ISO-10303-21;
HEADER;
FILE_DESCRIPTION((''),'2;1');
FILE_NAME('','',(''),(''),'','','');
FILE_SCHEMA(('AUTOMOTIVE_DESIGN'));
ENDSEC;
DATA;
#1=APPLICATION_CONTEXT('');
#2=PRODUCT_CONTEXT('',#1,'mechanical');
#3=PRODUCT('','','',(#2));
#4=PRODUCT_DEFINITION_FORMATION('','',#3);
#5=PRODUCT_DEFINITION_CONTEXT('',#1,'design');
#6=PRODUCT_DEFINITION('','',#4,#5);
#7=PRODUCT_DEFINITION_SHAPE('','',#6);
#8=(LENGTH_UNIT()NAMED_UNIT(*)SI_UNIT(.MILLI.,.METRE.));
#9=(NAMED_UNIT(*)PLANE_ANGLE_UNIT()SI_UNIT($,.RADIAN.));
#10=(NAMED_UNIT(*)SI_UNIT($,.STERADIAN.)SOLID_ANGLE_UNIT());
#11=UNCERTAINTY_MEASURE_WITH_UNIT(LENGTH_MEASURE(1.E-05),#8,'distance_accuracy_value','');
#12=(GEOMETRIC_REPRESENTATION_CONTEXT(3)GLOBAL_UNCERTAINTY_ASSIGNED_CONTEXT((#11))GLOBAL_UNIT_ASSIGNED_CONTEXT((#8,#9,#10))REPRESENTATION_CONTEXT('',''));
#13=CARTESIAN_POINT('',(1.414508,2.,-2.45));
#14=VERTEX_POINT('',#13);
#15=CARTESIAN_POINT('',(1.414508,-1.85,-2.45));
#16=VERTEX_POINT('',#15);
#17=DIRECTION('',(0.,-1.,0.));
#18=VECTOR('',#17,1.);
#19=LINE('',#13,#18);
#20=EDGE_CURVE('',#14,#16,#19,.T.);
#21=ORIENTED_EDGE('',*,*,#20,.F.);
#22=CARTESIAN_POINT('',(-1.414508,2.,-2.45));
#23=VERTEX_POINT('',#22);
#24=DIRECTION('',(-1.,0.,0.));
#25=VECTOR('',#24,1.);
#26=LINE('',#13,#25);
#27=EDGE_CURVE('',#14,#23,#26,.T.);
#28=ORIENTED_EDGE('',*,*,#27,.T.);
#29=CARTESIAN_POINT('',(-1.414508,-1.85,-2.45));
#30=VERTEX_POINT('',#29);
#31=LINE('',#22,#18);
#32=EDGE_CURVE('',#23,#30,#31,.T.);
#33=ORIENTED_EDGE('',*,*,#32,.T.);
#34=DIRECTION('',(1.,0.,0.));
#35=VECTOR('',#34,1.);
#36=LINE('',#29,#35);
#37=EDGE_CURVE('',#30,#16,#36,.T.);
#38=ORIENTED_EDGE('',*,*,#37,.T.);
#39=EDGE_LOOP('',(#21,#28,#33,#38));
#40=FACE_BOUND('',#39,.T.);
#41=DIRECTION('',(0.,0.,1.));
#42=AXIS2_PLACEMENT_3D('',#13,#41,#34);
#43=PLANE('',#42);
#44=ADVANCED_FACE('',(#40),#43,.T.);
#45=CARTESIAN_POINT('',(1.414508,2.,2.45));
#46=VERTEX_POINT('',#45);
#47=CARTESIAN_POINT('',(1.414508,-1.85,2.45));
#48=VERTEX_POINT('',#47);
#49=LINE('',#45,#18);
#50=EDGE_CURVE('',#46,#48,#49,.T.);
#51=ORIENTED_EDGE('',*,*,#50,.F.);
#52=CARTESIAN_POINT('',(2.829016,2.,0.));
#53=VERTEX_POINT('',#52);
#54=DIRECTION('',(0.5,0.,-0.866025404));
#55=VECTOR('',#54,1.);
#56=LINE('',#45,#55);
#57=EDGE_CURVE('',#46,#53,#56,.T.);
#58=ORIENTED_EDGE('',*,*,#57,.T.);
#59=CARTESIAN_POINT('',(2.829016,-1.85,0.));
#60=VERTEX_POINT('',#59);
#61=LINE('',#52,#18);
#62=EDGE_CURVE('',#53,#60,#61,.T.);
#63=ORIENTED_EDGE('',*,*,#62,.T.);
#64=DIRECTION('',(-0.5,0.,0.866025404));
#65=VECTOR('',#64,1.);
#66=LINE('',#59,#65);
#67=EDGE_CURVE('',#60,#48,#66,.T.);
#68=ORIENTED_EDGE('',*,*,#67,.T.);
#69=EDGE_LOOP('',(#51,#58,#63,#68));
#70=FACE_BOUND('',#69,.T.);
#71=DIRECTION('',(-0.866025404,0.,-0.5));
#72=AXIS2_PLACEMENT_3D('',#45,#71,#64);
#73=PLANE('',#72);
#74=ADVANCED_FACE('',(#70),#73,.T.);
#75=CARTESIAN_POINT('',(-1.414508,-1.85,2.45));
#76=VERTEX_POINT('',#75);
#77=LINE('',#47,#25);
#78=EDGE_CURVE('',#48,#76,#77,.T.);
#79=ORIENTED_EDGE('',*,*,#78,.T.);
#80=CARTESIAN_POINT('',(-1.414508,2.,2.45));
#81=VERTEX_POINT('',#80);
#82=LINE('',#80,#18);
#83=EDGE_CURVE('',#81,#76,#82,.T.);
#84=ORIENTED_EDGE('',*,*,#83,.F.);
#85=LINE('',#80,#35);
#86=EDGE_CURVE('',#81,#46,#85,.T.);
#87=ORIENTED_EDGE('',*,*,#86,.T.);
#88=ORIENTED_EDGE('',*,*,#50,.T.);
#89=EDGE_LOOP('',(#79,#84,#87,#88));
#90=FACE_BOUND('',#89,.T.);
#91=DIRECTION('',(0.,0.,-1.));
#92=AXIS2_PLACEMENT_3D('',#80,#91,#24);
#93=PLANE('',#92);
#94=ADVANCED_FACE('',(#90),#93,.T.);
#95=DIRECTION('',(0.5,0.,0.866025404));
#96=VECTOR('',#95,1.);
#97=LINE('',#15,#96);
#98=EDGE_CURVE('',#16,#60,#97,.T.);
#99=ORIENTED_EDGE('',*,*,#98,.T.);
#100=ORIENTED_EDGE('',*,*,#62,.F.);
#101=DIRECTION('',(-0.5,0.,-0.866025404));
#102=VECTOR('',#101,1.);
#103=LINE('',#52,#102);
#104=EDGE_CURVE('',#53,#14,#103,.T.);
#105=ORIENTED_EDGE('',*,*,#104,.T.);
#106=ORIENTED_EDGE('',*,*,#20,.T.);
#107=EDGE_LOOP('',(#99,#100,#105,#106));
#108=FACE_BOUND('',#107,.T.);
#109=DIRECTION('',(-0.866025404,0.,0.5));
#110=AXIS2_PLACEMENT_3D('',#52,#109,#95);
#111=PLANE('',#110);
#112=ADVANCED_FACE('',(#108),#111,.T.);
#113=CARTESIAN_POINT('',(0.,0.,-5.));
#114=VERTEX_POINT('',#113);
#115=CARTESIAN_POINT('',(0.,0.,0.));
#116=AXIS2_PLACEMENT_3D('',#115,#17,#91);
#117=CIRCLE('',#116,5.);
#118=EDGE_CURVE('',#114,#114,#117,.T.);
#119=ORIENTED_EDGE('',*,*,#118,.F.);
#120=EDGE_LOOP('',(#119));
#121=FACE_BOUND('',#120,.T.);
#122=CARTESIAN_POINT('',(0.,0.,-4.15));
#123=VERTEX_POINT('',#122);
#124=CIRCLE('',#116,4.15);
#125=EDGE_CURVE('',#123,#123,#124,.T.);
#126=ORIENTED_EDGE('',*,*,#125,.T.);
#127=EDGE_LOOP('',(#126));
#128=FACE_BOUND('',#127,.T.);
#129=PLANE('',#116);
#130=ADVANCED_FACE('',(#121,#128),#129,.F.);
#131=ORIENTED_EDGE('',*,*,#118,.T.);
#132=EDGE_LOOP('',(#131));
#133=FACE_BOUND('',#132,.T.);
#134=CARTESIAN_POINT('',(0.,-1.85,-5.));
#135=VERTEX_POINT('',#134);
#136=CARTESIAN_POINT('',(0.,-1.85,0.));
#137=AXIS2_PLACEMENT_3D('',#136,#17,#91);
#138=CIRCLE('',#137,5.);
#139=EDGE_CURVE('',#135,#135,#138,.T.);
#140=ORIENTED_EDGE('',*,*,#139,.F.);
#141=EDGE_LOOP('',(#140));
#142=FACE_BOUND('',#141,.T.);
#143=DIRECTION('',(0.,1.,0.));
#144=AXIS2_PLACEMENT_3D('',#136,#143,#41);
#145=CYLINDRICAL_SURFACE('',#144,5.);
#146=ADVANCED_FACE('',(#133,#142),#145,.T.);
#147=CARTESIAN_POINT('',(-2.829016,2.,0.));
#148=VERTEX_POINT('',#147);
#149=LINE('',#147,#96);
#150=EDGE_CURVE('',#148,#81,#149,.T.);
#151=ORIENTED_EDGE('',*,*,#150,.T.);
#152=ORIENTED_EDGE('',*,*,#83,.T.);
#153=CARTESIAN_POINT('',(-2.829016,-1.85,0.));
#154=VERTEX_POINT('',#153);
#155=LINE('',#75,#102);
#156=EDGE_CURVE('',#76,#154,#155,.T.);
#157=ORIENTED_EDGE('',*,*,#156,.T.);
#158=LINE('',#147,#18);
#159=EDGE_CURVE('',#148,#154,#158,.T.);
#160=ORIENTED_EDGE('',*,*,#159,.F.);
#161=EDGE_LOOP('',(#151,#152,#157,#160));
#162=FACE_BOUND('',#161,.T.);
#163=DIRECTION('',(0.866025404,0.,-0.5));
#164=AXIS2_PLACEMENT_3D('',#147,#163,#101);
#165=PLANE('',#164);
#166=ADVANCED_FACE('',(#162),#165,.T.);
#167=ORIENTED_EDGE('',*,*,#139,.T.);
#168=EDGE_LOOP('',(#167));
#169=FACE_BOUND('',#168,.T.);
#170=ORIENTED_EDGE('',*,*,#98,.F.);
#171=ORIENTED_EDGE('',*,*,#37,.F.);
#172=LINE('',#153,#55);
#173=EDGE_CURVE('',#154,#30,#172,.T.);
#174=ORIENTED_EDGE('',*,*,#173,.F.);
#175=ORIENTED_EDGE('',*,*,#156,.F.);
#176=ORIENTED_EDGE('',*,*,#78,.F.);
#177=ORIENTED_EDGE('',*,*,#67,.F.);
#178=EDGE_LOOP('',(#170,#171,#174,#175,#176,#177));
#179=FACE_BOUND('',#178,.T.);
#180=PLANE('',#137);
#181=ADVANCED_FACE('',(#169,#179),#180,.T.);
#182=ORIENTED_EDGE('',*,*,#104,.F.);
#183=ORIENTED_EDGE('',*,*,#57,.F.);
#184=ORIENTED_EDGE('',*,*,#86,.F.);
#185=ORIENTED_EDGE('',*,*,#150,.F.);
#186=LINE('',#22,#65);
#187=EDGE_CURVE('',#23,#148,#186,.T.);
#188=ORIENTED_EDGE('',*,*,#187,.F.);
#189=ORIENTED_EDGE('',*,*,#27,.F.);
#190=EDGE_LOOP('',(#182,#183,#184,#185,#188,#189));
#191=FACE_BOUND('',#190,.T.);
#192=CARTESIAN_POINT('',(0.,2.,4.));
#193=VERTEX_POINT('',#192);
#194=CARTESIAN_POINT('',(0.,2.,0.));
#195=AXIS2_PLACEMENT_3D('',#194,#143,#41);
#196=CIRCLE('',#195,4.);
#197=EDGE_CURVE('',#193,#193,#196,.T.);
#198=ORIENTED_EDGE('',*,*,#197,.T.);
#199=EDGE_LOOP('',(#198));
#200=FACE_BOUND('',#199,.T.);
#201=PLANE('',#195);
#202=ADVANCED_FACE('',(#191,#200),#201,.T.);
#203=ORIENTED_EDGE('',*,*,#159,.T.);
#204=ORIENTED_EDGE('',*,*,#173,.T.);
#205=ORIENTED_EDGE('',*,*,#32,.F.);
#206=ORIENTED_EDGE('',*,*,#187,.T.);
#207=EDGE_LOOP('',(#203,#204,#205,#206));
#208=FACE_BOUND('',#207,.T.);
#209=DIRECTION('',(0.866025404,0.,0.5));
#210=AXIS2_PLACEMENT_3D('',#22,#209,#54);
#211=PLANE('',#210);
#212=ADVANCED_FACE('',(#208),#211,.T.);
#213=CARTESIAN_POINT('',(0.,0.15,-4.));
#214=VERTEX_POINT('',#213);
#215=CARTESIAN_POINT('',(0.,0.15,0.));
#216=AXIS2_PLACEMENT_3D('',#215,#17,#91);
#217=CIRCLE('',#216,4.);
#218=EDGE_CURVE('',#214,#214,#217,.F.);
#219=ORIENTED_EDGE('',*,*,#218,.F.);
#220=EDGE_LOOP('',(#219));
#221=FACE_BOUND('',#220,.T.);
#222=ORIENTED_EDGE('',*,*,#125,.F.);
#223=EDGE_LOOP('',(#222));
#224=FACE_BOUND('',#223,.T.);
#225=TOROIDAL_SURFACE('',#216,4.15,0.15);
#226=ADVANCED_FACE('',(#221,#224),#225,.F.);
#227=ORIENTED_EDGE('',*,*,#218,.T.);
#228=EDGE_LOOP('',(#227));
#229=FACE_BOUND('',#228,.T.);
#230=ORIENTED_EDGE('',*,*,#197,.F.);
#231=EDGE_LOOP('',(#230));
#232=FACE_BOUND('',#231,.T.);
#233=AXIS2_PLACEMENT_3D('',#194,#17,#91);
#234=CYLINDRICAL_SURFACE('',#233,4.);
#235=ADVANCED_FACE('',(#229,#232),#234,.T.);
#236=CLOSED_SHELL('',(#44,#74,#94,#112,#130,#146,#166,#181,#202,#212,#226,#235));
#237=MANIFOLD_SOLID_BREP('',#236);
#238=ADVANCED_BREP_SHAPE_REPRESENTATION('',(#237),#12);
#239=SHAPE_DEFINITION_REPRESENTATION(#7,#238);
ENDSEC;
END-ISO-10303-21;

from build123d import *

# Parameters (mm, degrees)
SKETCH1_R           = 4
BOSS_EXTRUDE1_DEPTH = 2
SKETCH2_R           = 5
BOSS_EXTRUDE2_DEPTH = 1.85
FILLET1_R           = 0.15


with BuildPart() as part:
    # Sketch1 → Boss-Extrude1 (new body)
    with BuildSketch(Plane(origin=(0, 0, 0), x_dir=(1, 0, 0), z_dir=(0, 1, 0))):
        with Locations(Location((0, 0, 0), (0, 0, 270))):
            Circle(SKETCH1_R)
        Polygon((2.829016319, 0), (1.41450816, 2.45), (-1.41450816, 2.45), (-2.829016319, 0), (-1.41450816, -2.45), (1.41450816, -2.45), align=None, mode=Mode.SUBTRACT)
    extrude(amount=BOSS_EXTRUDE1_DEPTH)

    # Sketch2 → Boss-Extrude2 (add)
    with BuildSketch(Plane.XZ):
        with Locations(Location((0, 0, 0), (0, 0, 270))):
            Circle(SKETCH2_R)
        Polygon((2.829016319, 0), (1.41450816, 2.45), (-1.41450816, 2.45), (-2.829016319, 0), (-1.41450816, -2.45), (1.41450816, -2.45), align=None, mode=Mode.SUBTRACT)
    extrude(amount=BOSS_EXTRUDE2_DEPTH)

    # Fillet1
    fillet1_edges = [part.edges().sort_by_distance(p)[0] for p in [
        (0, 0, -4),
    ]]
    fillet(fillet1_edges, radius=FILLET1_R)


solid = part.part
